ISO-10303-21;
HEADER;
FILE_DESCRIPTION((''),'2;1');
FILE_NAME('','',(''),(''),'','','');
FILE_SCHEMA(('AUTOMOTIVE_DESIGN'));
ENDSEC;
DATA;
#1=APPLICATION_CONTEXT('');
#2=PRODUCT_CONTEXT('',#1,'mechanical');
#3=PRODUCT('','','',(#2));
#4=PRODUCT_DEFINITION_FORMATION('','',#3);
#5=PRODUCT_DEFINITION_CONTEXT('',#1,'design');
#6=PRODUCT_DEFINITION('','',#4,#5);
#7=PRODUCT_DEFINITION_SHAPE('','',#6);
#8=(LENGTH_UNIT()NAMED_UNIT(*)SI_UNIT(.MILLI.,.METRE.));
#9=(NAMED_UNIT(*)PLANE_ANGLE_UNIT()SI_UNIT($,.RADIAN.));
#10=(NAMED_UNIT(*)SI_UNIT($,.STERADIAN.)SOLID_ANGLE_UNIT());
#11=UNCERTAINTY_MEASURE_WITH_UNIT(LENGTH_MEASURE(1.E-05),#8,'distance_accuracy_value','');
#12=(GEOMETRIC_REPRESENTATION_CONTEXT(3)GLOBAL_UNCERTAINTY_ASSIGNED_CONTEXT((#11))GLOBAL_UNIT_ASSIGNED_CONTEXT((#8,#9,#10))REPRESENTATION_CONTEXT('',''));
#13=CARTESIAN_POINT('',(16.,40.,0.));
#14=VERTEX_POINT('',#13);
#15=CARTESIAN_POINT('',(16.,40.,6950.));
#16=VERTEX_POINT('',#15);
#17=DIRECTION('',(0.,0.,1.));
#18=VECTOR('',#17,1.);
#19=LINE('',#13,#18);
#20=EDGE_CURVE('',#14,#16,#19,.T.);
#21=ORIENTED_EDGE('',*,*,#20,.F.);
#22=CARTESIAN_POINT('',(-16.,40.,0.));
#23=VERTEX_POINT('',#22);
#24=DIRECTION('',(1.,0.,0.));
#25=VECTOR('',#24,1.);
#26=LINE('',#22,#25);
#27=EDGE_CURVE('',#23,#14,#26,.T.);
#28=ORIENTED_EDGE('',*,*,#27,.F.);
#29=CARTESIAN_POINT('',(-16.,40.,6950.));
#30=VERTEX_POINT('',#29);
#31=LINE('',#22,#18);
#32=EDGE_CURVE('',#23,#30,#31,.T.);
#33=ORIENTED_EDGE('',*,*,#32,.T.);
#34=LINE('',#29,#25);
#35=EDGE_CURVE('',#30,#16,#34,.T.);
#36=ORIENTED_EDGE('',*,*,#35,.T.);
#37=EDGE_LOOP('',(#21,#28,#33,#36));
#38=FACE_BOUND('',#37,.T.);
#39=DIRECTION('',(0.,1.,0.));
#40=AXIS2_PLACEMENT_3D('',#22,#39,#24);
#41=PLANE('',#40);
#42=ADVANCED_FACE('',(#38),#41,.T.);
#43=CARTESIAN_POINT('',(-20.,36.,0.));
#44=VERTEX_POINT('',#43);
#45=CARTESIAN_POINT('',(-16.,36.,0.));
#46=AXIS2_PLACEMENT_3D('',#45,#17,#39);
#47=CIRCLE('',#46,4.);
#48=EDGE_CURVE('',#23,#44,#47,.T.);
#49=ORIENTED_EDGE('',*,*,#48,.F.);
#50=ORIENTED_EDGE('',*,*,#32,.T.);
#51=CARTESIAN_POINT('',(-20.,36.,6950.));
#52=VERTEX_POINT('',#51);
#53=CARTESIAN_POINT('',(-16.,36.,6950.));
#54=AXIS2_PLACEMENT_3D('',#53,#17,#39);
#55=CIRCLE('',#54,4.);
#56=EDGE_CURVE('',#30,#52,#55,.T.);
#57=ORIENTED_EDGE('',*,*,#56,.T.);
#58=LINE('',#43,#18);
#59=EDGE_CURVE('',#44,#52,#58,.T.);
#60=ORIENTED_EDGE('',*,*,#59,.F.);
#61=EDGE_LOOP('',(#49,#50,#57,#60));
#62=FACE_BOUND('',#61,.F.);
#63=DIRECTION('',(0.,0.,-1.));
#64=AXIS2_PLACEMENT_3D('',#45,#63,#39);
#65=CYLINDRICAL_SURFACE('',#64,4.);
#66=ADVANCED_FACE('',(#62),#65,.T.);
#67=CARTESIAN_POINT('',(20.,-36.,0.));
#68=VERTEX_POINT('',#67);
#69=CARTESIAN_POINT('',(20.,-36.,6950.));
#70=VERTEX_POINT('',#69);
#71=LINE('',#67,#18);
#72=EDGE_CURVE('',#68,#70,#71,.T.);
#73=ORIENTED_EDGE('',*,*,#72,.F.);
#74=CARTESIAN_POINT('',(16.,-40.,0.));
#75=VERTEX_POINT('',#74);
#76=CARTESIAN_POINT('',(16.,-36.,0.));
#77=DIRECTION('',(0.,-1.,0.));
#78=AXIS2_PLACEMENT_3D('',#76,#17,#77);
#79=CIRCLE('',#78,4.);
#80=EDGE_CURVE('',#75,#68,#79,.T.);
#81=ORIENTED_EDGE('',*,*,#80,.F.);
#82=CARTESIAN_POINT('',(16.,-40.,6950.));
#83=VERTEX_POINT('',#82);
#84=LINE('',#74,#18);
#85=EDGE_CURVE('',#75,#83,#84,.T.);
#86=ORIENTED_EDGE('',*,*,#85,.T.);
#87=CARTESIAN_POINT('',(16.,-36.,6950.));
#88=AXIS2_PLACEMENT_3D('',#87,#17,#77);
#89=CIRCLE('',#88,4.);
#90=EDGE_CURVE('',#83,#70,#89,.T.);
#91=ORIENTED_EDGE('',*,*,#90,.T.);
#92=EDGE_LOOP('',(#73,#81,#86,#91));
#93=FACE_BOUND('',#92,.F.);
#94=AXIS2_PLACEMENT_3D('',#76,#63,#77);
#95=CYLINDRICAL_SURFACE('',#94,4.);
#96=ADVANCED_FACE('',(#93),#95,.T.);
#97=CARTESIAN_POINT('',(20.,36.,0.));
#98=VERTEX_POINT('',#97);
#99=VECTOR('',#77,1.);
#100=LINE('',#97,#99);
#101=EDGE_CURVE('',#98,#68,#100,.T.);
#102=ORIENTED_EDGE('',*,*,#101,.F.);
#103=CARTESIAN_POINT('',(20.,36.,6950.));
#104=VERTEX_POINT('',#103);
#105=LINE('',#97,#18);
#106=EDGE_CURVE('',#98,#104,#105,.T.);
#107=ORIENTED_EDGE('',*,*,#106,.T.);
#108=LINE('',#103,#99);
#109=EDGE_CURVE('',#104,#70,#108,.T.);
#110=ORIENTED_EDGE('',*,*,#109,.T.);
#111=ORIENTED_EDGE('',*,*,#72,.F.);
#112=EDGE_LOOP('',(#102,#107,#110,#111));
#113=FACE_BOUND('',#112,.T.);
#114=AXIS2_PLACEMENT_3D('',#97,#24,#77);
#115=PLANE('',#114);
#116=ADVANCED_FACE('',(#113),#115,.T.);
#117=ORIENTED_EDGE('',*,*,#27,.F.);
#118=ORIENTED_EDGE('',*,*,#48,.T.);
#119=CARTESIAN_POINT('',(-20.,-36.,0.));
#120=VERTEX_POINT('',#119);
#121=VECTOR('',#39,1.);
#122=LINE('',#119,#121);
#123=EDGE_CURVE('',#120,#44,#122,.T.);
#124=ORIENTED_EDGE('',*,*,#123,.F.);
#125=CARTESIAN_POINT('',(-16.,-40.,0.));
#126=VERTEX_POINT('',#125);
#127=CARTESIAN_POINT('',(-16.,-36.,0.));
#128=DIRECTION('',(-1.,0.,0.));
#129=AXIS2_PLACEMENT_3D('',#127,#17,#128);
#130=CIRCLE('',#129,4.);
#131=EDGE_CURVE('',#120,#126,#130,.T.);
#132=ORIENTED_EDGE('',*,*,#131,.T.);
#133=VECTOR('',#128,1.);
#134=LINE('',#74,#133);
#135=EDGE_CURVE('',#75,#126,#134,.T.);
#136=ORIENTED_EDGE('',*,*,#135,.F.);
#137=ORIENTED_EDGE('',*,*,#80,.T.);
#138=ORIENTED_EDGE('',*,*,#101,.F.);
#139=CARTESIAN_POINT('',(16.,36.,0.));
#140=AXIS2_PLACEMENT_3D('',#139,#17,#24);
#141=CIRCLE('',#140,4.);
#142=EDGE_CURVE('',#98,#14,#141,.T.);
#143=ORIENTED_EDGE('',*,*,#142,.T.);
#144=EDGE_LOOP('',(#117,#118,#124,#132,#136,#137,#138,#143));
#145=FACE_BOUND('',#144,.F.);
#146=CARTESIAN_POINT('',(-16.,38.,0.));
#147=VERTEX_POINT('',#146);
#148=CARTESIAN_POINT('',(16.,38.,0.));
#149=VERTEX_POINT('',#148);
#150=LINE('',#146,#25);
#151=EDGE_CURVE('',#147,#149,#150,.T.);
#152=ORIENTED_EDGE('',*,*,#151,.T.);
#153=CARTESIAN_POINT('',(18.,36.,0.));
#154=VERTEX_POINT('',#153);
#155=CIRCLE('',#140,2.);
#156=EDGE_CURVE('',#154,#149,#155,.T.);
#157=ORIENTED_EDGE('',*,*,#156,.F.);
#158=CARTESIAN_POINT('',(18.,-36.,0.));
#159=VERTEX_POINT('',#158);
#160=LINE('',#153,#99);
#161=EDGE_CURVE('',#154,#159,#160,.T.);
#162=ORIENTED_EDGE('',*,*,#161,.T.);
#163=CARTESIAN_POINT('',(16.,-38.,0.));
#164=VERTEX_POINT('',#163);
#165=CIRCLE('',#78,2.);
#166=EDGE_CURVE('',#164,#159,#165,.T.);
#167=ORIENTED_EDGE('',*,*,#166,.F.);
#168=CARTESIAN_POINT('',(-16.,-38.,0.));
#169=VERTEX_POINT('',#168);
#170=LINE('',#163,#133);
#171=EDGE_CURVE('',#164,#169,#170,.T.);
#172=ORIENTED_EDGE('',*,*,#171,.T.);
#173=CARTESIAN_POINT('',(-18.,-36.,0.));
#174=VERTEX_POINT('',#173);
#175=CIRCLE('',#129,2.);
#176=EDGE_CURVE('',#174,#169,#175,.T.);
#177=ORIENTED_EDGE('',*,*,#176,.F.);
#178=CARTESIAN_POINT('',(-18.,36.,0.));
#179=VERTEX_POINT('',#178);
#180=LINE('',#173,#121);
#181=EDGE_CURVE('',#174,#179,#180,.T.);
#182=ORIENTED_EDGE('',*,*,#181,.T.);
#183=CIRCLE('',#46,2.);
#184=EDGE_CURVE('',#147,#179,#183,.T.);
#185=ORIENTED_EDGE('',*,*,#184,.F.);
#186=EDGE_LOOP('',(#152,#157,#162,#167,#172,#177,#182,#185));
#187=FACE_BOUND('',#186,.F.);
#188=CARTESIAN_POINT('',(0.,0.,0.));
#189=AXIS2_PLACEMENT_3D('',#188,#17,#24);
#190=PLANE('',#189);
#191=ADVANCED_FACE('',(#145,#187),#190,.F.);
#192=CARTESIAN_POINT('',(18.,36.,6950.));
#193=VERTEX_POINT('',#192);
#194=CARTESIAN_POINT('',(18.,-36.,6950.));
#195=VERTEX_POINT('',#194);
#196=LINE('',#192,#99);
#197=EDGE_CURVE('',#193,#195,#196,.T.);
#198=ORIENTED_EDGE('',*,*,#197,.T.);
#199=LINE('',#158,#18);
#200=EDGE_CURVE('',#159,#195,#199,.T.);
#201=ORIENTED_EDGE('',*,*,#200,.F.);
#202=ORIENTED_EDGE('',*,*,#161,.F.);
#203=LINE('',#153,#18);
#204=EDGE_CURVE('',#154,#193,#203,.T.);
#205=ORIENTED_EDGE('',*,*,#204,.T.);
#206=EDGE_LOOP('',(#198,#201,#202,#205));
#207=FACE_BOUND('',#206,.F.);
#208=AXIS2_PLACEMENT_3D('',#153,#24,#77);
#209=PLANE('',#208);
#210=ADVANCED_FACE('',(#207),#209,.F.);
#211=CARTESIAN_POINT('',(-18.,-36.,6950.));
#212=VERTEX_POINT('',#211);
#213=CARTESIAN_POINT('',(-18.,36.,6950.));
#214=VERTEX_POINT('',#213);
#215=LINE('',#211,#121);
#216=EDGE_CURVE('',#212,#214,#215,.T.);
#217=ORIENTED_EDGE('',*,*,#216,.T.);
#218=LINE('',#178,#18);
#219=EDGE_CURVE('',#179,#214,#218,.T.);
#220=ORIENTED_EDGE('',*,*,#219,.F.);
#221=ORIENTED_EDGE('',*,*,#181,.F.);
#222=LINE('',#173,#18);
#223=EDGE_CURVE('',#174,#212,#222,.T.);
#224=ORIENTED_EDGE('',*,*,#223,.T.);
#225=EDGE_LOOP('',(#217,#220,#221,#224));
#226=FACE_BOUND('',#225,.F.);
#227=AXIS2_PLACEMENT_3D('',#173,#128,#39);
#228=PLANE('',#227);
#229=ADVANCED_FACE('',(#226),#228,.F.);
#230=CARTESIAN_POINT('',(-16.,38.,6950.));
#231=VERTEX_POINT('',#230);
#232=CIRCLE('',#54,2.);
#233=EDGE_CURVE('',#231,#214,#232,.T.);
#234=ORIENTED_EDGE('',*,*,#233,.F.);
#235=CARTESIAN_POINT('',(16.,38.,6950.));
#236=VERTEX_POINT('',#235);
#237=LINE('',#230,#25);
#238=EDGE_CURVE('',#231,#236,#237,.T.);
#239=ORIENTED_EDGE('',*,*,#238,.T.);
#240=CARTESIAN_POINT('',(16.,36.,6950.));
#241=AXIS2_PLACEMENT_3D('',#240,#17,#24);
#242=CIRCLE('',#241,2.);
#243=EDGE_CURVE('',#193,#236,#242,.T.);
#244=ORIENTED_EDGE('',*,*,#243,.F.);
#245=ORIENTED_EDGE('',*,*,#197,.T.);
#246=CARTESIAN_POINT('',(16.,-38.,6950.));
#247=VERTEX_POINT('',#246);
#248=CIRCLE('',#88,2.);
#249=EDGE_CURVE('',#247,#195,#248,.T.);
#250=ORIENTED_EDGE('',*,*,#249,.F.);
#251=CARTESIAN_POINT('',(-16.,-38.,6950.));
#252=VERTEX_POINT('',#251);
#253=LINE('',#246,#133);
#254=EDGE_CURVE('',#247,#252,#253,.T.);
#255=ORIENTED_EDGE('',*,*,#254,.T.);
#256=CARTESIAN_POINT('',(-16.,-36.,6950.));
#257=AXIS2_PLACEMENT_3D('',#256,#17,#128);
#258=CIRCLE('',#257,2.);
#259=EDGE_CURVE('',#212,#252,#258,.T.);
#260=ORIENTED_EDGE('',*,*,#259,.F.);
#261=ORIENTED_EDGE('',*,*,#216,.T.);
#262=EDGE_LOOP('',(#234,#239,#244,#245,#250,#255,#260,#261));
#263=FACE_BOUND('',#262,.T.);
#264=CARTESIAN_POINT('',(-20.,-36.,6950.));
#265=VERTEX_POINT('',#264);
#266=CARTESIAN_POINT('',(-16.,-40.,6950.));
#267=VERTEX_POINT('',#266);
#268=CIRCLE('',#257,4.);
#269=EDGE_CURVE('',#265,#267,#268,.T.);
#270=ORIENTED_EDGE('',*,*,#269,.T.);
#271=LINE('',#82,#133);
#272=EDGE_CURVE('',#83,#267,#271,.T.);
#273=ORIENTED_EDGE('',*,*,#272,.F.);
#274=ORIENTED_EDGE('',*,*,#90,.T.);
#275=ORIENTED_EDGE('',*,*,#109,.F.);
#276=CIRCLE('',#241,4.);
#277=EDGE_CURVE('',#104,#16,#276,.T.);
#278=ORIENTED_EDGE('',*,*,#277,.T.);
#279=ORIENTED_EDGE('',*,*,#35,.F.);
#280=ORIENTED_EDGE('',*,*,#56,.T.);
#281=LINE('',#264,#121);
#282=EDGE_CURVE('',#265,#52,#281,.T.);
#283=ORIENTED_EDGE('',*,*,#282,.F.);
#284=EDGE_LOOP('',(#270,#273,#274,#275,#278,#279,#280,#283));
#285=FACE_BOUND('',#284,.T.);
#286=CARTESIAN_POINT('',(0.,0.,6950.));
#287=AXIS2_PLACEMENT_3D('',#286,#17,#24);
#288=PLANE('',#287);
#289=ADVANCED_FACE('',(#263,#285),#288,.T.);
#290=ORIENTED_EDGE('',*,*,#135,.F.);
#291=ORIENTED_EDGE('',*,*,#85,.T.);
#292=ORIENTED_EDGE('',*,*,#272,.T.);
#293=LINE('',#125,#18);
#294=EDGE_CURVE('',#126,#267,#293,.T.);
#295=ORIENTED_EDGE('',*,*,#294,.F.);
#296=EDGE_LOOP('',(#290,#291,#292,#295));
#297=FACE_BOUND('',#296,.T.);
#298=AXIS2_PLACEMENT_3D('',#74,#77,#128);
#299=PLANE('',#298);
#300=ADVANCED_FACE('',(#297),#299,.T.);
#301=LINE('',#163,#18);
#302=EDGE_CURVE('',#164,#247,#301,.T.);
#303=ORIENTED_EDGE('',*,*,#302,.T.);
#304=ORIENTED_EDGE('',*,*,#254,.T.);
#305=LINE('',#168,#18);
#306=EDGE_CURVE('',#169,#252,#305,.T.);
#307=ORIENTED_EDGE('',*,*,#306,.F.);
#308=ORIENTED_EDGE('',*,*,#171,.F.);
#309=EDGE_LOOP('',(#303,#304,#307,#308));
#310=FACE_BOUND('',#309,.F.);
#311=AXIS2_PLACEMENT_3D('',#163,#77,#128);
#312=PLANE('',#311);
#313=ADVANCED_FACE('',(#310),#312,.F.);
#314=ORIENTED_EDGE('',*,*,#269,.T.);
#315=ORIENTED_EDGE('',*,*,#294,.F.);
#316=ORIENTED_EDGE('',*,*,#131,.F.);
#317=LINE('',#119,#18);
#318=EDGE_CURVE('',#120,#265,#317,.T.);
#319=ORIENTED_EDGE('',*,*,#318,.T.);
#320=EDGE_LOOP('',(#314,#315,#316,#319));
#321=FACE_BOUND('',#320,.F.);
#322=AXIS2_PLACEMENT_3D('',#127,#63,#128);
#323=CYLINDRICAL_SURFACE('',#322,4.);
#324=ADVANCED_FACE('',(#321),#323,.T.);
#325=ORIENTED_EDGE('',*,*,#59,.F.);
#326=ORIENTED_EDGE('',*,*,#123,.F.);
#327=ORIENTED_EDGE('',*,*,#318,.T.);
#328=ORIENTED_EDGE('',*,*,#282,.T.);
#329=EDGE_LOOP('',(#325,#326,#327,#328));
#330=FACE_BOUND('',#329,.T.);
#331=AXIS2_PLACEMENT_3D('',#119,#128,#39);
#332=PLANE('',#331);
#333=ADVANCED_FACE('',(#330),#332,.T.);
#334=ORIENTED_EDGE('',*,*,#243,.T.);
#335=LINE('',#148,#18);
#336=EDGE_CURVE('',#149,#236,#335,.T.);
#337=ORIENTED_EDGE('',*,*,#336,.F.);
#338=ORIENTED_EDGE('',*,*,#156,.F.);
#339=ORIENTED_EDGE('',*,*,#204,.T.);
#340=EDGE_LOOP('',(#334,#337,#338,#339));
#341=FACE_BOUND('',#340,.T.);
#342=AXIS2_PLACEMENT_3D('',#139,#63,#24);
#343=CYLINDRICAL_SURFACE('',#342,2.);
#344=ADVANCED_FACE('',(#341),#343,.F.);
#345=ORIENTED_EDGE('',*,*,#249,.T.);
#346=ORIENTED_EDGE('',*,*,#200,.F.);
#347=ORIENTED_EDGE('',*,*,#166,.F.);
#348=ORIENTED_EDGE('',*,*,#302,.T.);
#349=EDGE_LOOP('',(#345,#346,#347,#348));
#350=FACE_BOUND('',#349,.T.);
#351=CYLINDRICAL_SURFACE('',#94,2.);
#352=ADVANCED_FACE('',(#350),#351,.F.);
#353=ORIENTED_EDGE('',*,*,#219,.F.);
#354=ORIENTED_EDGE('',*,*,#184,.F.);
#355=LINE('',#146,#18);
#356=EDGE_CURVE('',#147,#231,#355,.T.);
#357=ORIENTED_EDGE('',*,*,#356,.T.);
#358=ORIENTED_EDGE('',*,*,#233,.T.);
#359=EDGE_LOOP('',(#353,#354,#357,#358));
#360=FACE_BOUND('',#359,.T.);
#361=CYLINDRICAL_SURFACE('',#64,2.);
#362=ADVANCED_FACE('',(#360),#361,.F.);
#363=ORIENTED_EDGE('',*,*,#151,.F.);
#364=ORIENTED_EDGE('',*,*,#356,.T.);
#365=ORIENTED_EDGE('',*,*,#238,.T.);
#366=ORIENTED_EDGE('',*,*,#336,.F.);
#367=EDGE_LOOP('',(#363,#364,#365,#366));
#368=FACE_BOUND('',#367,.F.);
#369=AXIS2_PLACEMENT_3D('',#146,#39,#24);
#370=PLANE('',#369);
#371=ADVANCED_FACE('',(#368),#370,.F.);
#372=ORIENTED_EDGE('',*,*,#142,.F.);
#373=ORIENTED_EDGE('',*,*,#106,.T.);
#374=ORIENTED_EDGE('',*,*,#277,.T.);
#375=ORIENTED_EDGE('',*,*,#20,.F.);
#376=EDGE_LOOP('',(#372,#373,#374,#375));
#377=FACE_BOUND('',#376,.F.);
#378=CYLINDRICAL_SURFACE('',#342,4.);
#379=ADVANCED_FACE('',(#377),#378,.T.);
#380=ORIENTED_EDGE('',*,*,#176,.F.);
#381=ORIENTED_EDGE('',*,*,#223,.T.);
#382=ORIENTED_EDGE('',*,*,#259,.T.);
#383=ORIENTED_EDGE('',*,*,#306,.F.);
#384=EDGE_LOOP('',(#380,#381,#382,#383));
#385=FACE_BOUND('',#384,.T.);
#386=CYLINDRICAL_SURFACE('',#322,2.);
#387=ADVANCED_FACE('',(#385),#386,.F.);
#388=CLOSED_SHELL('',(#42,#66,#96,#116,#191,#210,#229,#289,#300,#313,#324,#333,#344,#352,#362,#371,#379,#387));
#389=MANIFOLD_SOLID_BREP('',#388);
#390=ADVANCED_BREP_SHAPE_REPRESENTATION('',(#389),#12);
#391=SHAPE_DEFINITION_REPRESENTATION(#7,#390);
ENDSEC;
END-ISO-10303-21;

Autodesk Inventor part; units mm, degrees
ref_plane "YZ Plane" through (0, 0, 0) normal (1, 0, 0) x (0, 1, 0)
ref_plane "Start Plane" through (0, 0, 0) normal (0, 0, 1) x (1, 0, 0)
ref_plane "End Plane" through (0, 0, 6950) normal (0, 0, 1) x (1, 0, 0)
sketch "Sketch" plane through (0, 0, 0) normal (0, 0, 1) x (1, 0, 0)
  line L0 (-20, -36) -> (-20, 36)
  line L1 (-16, 40) -> (16, 40)
  line L2 (20, 36) -> (20, -36)
  line L3 (16, -40) -> (-16, -40)
  arc A0 (-20, -36) -> (-16, -40) centre (-16, -36) ccw
  arc A1 (20, 36) -> (16, 40) centre (16, 36) ccw
  arc A2 (-16, 40) -> (-20, 36) centre (-16, 36) ccw
  arc A3 (16, -40) -> (20, -36) centre (16, -36) ccw
  arc A4 (-16, 38) -> (-18, 36) centre (-16, 36) ccw
  line L4 (-16, 38) -> (16, 38)
  arc A5 (18, 36) -> (16, 38) centre (16, 36) ccw
  line L5 (18, 36) -> (18, -36)
  arc A6 (16, -38) -> (18, -36) centre (16, -36) ccw
  line L6 (16, -38) -> (-16, -38)
  arc A7 (-18, -36) -> (-16, -38) centre (-16, -36) ccw
  line L7 (-18, -36) -> (-18, 36)
  line L8 (0, 57.1598) -> (0, -57.1598) construction
  line L9 (-29.1598, 0) -> (29.1598, 0) construction
  dimension "d7" = 4
  dimension "d9" = 40
  dimension "d11" = 80
  dimension "d12" = 2
  dimension "d15" = 20
  dimension "d16" = 40
extrude "Body" add sketch "Sketch" along normal up to surface (6950 mm away) from surface at 0
sketch "Sketch3" plane through (0, 0, 0) normal (0, 0, 1) x (1, 0, 0)
  line L0 (0, 0) -> (10, 0)
ref_plane "Work Plane3" through (0, 0, 0) normal (0, -1, 0) x (1, 0, 0)
sketch "Sketch4" plane through (0, 0, 0) normal (0, -1, 0) x (1, 0, 0)
  line L0 (-2, 0) -> (12, 0) projected
  line L1 (-2, 6950) -> (12, 6950) projected
  dimension "d18" = 6950
equation "\"d7\" = G_IR"
equation "\"d9\" = G_W"
equation "\"d11\" = G_H"
equation "\"d12\" = G_T"
equation "\"d15\" = 0.5 * d9"
equation "\"d16\" = 0.5 * d11"
equation "\"d3\" = G_L"
equation "\"G_W\" = 40"
equation "\"G_H\" = 80"
equation "\"G_T\" = 2"
equation "\"G_IR\" = 4"
equation "\"G_L\" = d18"
equation "\"G_OFFSET_START\" = 0"
equation "\"G_OFFSET_END\" = 0"
properties part number "ISO 4019 - 80x40x2 - 6950" material "Steel, Mild"
